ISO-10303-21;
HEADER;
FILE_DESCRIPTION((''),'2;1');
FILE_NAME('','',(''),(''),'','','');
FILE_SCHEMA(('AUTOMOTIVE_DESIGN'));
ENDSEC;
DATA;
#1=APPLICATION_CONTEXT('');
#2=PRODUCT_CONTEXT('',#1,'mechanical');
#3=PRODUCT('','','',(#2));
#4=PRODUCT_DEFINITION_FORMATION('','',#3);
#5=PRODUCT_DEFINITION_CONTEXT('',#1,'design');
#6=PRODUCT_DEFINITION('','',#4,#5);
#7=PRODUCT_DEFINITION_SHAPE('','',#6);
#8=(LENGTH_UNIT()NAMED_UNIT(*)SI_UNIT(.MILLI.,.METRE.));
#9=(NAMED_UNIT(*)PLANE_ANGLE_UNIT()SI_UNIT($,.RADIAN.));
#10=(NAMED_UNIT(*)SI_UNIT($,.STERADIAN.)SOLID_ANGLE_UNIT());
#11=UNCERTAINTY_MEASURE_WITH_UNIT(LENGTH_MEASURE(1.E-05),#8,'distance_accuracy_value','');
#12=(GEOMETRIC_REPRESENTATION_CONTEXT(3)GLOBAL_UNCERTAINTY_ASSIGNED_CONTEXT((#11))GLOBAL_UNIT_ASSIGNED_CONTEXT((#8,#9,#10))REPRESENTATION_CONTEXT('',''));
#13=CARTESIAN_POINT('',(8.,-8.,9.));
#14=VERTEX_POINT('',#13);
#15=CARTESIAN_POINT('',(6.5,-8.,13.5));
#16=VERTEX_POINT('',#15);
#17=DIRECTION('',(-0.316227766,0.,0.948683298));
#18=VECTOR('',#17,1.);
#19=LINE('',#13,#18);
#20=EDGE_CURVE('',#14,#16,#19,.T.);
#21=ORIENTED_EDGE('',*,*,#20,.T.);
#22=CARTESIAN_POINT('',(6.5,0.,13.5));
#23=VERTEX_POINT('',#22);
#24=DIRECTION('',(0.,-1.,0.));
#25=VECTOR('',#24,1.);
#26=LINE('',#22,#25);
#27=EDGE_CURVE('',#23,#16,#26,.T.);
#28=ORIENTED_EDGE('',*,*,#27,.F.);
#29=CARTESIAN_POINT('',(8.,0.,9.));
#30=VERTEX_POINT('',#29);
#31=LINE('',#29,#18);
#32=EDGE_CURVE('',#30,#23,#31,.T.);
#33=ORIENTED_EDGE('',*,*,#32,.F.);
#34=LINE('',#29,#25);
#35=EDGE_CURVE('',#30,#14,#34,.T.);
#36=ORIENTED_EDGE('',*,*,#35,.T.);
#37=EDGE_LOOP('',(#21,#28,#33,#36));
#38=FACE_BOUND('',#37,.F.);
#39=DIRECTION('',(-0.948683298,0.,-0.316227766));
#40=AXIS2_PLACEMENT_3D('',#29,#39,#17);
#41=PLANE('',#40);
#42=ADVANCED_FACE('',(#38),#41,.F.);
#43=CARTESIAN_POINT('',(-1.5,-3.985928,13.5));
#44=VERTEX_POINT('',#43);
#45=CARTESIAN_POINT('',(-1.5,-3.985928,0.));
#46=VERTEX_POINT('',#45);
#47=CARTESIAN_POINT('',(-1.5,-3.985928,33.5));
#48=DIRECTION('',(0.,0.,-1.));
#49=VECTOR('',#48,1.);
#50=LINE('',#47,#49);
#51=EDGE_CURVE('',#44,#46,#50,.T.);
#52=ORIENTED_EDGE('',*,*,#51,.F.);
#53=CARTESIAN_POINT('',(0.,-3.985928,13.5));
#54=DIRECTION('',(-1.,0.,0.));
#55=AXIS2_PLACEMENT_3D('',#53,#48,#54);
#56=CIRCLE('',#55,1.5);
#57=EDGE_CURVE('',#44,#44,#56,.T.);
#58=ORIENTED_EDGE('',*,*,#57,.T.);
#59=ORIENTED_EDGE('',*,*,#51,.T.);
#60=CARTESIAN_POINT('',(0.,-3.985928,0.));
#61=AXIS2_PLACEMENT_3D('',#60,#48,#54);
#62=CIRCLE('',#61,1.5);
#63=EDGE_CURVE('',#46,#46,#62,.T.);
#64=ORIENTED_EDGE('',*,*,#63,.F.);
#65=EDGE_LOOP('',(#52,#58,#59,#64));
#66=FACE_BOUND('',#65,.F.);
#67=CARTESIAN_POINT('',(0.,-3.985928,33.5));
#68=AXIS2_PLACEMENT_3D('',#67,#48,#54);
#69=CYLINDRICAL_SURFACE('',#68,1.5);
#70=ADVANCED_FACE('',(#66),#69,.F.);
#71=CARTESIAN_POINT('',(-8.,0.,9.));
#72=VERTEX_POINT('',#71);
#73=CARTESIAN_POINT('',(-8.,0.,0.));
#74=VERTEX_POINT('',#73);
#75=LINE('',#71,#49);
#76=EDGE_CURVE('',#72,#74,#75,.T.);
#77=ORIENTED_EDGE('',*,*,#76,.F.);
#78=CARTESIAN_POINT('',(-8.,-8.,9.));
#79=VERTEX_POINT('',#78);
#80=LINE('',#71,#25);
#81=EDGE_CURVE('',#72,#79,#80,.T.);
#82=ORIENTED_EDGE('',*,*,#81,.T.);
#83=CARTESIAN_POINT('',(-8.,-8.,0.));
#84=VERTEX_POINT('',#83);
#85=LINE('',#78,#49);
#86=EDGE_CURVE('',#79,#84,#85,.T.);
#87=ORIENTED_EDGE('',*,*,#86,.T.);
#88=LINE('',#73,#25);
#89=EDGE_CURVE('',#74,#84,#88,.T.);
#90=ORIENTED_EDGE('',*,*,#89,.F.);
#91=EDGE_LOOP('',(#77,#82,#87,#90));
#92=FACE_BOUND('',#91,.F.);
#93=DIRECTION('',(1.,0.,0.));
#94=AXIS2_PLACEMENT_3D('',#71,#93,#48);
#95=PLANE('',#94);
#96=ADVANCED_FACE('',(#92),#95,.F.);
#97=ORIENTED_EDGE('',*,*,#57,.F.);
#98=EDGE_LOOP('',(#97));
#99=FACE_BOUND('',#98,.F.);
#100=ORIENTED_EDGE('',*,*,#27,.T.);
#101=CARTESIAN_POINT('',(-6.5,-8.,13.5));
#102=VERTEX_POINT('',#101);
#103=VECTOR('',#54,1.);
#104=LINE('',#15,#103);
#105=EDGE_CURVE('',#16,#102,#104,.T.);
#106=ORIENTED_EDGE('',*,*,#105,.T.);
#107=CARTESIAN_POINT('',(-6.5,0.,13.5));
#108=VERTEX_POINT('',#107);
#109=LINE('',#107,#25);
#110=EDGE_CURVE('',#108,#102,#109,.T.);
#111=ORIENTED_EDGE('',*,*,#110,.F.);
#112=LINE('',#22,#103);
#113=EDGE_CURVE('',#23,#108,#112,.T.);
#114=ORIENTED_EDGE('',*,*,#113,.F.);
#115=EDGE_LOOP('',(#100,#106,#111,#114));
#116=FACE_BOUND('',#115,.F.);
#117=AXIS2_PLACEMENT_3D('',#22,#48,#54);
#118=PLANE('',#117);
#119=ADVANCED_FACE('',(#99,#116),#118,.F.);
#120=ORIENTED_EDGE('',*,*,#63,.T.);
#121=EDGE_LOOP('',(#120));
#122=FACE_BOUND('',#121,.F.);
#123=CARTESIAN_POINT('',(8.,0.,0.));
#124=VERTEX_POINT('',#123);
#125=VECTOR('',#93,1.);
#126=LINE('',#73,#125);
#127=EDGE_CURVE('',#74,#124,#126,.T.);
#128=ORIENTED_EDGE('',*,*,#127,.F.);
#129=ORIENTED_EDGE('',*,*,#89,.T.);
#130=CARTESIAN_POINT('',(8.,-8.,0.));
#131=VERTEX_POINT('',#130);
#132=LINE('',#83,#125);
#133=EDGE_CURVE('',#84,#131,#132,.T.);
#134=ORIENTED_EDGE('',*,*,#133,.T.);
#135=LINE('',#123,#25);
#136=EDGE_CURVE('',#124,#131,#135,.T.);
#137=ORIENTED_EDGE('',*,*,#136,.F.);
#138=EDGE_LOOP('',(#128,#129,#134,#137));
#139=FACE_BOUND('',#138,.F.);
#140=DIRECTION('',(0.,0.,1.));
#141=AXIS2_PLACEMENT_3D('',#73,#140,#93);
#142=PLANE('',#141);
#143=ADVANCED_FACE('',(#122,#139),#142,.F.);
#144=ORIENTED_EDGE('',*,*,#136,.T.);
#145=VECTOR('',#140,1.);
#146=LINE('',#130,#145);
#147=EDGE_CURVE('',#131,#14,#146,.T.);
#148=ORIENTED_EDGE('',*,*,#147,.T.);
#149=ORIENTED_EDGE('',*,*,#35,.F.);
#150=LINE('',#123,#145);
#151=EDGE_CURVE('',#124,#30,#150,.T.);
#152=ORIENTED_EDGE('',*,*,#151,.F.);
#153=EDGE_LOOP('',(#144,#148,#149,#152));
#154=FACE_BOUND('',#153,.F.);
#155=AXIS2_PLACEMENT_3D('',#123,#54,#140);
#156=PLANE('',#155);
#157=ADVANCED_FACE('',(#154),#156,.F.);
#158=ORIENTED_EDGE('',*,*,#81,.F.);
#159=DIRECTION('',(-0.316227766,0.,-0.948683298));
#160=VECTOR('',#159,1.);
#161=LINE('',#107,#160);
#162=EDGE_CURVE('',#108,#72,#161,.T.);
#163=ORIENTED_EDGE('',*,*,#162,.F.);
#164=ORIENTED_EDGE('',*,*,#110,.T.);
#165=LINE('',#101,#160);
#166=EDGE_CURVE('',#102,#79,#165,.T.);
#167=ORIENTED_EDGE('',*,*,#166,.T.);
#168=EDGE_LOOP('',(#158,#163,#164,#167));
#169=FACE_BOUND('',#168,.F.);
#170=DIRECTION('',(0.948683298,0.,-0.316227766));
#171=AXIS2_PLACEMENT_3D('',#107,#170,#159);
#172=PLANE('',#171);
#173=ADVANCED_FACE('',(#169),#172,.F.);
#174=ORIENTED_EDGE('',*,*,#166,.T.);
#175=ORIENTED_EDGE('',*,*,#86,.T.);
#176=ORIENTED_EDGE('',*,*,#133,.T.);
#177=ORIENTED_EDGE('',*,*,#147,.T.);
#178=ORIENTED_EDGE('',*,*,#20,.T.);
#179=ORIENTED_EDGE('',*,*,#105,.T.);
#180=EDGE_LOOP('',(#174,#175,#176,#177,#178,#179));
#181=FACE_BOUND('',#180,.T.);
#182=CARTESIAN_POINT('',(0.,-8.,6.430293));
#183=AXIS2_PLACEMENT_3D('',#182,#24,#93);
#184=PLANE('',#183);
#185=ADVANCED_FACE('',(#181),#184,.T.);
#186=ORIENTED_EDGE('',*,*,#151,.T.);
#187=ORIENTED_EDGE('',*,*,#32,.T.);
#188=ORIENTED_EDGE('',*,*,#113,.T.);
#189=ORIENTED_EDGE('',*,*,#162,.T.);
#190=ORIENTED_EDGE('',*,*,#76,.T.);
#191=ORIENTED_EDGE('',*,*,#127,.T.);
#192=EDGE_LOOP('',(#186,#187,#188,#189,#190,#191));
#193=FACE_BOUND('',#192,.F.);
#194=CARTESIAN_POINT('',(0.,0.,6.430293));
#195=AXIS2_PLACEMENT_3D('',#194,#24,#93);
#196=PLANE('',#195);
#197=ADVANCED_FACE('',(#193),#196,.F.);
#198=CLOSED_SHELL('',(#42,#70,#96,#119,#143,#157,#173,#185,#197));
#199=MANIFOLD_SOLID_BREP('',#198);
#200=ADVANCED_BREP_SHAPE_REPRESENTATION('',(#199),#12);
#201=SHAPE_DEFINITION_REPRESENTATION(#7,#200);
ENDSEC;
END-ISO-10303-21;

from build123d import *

# Parameters (mm, degrees)
F1_DEPTH = 8
F3_D     = 3
F3_DEPTH = 20


with BuildPart() as f1:
    # F0 (on Front) → F1 (new body)
    with BuildSketch(Plane.XZ):
        Polygon((-8, 9), (-8, 0), (-2, 0), (2, 0), (8, 0), (8, 9), (6.5, 13.5), (-6.5, 13.5), align=None)
    extrude(amount=F1_DEPTH)

    # F3
    with Locations(Plane.XY.offset(13.5)):
        with Locations((0, -3.985928)):
            Hole(F3_D / 2, depth=F3_DEPTH)


solid = f1.part
